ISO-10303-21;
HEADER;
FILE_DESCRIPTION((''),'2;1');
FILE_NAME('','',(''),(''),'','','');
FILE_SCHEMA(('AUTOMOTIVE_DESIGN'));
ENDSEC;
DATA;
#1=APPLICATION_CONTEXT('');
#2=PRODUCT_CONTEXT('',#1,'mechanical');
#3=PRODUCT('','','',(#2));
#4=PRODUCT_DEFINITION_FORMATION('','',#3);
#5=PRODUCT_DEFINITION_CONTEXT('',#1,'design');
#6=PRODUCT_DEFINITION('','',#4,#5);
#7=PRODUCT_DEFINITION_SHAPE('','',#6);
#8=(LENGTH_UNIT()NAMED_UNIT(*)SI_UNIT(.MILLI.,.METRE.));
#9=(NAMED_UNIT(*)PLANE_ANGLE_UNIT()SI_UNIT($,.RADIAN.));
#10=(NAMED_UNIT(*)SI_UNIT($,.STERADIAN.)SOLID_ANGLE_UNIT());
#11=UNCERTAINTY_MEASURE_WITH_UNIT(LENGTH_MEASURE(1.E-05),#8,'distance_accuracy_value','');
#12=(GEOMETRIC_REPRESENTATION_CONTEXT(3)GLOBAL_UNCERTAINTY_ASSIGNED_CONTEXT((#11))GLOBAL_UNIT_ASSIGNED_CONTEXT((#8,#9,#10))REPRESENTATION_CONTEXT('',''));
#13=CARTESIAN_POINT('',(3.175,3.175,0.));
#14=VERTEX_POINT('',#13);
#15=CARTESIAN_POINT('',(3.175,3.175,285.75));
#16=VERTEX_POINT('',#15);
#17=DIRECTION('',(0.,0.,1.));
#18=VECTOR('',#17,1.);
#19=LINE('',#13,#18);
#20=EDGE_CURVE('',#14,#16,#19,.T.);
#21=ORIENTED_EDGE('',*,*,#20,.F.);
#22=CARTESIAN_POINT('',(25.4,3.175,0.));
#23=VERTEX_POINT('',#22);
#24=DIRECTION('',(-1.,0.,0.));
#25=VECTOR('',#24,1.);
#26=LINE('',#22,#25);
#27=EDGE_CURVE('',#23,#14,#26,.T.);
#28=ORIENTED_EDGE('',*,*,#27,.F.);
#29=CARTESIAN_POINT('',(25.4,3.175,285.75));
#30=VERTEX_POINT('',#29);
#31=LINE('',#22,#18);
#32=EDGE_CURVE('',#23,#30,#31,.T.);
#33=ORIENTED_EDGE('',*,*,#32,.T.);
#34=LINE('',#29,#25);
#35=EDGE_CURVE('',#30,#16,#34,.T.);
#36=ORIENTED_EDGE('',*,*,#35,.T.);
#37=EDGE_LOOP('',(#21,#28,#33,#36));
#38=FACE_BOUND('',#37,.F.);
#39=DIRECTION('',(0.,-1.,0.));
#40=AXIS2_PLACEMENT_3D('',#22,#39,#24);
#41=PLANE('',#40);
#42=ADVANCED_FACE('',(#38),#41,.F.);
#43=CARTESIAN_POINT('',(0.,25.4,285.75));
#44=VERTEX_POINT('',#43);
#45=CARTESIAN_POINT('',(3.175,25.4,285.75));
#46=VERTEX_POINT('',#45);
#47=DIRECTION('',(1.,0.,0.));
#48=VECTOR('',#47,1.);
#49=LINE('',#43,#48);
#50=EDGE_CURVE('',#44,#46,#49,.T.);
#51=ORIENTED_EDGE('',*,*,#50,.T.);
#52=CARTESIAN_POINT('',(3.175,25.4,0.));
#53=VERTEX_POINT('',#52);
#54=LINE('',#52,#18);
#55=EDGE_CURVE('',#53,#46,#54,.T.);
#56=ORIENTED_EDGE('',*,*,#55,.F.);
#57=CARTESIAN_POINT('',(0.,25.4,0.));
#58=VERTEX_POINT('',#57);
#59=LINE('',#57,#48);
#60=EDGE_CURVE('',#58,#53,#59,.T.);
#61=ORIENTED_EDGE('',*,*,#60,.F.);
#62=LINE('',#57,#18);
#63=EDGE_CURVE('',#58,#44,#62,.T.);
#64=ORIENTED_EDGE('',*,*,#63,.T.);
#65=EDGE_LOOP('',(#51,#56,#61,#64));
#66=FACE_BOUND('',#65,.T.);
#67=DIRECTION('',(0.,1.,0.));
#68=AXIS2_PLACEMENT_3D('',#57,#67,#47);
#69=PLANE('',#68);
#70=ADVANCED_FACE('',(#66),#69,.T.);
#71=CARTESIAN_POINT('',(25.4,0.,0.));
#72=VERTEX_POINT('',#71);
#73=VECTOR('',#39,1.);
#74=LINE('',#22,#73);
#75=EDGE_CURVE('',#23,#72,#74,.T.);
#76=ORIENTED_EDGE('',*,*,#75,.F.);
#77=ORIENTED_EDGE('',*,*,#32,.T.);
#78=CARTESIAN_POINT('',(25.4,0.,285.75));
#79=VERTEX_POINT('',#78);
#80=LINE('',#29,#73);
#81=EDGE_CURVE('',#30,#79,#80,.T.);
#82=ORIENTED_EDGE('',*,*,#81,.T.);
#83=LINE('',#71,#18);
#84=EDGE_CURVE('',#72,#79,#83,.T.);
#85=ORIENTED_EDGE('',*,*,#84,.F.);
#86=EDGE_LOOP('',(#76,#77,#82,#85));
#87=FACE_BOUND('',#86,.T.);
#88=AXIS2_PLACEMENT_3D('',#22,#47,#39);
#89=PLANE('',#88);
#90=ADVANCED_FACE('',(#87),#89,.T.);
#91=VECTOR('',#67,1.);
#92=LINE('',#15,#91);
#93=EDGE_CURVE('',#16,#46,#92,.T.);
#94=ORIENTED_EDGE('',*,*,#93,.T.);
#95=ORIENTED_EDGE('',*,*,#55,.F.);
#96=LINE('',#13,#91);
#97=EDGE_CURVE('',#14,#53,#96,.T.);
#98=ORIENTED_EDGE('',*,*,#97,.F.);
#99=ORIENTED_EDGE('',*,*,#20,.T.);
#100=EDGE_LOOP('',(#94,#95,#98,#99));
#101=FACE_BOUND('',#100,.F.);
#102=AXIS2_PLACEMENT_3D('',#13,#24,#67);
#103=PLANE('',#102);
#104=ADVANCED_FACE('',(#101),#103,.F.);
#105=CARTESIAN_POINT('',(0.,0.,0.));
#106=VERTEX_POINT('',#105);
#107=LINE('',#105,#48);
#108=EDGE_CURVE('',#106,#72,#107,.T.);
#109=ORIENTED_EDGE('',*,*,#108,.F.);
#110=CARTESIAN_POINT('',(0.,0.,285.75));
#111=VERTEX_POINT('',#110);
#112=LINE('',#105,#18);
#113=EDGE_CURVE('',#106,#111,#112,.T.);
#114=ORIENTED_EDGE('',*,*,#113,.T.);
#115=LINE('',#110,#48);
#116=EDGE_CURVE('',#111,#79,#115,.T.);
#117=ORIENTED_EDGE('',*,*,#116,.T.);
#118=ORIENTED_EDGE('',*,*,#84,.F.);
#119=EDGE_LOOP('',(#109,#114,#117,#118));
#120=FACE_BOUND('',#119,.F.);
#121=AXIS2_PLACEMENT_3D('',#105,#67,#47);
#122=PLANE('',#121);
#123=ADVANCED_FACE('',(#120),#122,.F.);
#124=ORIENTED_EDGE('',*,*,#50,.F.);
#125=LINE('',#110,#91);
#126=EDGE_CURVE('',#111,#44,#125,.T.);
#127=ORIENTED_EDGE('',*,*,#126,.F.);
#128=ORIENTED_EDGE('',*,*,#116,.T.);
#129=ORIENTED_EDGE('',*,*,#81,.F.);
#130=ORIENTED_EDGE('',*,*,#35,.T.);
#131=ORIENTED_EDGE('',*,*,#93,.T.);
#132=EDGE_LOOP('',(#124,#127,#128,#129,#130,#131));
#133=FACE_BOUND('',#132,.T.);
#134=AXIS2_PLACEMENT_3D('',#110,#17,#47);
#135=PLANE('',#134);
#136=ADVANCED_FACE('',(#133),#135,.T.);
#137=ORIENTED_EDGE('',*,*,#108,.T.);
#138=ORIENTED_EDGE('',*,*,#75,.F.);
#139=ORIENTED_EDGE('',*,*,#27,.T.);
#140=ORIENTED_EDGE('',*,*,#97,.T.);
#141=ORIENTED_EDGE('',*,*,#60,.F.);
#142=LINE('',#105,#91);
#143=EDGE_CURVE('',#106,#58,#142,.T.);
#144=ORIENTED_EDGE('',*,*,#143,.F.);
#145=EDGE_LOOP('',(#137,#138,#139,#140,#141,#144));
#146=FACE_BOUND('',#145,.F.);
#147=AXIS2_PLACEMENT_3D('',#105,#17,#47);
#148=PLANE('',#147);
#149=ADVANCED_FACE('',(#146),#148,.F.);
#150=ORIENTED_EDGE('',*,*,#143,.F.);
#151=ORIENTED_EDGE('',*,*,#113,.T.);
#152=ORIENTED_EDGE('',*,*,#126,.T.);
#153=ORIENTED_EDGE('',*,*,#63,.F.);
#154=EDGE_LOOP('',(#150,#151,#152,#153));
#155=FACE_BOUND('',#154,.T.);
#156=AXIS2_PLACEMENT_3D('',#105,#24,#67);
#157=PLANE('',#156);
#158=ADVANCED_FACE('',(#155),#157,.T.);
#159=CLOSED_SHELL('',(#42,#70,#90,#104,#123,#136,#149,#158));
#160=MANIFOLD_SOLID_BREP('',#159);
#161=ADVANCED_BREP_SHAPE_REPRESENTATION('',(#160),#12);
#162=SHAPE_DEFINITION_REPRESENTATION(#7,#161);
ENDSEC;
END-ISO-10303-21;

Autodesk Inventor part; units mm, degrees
ref_plane "YZ Plane" through (0, 0, 0) normal (1, 0, 0) x (0, 1, 0)
ref_plane "XZ Plane" through (0, 0, 0) normal (0, 1, 0) x (-1, 0, 0)
ref_plane "XY Plane" through (0, 0, 0) normal (0, 0, 1) x (1, 0, 0)
sketch "Sketch1" plane through (0, 0, 0) normal (0, 0, 1) x (1, 0, 0)
  line L0 (0, 0) -> (0, 25.4)
  line L1 (0, 0) -> (25.4, 0)
  line L2 (25.4, 3.175) -> (3.175, 3.175)
  line L3 (3.175, 3.175) -> (3.175, 25.4)
  line L4 (25.4, 3.175) -> (25.4, 0)
  line L5 (0, 25.4) -> (3.175, 25.4)
  dimension "d0" = 25.4
  dimension "d1" = 25.4
  dimension "d2" = 3.175
extrude "Extrusion1" add sketch "Sketch1" along normal blind 285.75
properties part number "11.25 in L"
